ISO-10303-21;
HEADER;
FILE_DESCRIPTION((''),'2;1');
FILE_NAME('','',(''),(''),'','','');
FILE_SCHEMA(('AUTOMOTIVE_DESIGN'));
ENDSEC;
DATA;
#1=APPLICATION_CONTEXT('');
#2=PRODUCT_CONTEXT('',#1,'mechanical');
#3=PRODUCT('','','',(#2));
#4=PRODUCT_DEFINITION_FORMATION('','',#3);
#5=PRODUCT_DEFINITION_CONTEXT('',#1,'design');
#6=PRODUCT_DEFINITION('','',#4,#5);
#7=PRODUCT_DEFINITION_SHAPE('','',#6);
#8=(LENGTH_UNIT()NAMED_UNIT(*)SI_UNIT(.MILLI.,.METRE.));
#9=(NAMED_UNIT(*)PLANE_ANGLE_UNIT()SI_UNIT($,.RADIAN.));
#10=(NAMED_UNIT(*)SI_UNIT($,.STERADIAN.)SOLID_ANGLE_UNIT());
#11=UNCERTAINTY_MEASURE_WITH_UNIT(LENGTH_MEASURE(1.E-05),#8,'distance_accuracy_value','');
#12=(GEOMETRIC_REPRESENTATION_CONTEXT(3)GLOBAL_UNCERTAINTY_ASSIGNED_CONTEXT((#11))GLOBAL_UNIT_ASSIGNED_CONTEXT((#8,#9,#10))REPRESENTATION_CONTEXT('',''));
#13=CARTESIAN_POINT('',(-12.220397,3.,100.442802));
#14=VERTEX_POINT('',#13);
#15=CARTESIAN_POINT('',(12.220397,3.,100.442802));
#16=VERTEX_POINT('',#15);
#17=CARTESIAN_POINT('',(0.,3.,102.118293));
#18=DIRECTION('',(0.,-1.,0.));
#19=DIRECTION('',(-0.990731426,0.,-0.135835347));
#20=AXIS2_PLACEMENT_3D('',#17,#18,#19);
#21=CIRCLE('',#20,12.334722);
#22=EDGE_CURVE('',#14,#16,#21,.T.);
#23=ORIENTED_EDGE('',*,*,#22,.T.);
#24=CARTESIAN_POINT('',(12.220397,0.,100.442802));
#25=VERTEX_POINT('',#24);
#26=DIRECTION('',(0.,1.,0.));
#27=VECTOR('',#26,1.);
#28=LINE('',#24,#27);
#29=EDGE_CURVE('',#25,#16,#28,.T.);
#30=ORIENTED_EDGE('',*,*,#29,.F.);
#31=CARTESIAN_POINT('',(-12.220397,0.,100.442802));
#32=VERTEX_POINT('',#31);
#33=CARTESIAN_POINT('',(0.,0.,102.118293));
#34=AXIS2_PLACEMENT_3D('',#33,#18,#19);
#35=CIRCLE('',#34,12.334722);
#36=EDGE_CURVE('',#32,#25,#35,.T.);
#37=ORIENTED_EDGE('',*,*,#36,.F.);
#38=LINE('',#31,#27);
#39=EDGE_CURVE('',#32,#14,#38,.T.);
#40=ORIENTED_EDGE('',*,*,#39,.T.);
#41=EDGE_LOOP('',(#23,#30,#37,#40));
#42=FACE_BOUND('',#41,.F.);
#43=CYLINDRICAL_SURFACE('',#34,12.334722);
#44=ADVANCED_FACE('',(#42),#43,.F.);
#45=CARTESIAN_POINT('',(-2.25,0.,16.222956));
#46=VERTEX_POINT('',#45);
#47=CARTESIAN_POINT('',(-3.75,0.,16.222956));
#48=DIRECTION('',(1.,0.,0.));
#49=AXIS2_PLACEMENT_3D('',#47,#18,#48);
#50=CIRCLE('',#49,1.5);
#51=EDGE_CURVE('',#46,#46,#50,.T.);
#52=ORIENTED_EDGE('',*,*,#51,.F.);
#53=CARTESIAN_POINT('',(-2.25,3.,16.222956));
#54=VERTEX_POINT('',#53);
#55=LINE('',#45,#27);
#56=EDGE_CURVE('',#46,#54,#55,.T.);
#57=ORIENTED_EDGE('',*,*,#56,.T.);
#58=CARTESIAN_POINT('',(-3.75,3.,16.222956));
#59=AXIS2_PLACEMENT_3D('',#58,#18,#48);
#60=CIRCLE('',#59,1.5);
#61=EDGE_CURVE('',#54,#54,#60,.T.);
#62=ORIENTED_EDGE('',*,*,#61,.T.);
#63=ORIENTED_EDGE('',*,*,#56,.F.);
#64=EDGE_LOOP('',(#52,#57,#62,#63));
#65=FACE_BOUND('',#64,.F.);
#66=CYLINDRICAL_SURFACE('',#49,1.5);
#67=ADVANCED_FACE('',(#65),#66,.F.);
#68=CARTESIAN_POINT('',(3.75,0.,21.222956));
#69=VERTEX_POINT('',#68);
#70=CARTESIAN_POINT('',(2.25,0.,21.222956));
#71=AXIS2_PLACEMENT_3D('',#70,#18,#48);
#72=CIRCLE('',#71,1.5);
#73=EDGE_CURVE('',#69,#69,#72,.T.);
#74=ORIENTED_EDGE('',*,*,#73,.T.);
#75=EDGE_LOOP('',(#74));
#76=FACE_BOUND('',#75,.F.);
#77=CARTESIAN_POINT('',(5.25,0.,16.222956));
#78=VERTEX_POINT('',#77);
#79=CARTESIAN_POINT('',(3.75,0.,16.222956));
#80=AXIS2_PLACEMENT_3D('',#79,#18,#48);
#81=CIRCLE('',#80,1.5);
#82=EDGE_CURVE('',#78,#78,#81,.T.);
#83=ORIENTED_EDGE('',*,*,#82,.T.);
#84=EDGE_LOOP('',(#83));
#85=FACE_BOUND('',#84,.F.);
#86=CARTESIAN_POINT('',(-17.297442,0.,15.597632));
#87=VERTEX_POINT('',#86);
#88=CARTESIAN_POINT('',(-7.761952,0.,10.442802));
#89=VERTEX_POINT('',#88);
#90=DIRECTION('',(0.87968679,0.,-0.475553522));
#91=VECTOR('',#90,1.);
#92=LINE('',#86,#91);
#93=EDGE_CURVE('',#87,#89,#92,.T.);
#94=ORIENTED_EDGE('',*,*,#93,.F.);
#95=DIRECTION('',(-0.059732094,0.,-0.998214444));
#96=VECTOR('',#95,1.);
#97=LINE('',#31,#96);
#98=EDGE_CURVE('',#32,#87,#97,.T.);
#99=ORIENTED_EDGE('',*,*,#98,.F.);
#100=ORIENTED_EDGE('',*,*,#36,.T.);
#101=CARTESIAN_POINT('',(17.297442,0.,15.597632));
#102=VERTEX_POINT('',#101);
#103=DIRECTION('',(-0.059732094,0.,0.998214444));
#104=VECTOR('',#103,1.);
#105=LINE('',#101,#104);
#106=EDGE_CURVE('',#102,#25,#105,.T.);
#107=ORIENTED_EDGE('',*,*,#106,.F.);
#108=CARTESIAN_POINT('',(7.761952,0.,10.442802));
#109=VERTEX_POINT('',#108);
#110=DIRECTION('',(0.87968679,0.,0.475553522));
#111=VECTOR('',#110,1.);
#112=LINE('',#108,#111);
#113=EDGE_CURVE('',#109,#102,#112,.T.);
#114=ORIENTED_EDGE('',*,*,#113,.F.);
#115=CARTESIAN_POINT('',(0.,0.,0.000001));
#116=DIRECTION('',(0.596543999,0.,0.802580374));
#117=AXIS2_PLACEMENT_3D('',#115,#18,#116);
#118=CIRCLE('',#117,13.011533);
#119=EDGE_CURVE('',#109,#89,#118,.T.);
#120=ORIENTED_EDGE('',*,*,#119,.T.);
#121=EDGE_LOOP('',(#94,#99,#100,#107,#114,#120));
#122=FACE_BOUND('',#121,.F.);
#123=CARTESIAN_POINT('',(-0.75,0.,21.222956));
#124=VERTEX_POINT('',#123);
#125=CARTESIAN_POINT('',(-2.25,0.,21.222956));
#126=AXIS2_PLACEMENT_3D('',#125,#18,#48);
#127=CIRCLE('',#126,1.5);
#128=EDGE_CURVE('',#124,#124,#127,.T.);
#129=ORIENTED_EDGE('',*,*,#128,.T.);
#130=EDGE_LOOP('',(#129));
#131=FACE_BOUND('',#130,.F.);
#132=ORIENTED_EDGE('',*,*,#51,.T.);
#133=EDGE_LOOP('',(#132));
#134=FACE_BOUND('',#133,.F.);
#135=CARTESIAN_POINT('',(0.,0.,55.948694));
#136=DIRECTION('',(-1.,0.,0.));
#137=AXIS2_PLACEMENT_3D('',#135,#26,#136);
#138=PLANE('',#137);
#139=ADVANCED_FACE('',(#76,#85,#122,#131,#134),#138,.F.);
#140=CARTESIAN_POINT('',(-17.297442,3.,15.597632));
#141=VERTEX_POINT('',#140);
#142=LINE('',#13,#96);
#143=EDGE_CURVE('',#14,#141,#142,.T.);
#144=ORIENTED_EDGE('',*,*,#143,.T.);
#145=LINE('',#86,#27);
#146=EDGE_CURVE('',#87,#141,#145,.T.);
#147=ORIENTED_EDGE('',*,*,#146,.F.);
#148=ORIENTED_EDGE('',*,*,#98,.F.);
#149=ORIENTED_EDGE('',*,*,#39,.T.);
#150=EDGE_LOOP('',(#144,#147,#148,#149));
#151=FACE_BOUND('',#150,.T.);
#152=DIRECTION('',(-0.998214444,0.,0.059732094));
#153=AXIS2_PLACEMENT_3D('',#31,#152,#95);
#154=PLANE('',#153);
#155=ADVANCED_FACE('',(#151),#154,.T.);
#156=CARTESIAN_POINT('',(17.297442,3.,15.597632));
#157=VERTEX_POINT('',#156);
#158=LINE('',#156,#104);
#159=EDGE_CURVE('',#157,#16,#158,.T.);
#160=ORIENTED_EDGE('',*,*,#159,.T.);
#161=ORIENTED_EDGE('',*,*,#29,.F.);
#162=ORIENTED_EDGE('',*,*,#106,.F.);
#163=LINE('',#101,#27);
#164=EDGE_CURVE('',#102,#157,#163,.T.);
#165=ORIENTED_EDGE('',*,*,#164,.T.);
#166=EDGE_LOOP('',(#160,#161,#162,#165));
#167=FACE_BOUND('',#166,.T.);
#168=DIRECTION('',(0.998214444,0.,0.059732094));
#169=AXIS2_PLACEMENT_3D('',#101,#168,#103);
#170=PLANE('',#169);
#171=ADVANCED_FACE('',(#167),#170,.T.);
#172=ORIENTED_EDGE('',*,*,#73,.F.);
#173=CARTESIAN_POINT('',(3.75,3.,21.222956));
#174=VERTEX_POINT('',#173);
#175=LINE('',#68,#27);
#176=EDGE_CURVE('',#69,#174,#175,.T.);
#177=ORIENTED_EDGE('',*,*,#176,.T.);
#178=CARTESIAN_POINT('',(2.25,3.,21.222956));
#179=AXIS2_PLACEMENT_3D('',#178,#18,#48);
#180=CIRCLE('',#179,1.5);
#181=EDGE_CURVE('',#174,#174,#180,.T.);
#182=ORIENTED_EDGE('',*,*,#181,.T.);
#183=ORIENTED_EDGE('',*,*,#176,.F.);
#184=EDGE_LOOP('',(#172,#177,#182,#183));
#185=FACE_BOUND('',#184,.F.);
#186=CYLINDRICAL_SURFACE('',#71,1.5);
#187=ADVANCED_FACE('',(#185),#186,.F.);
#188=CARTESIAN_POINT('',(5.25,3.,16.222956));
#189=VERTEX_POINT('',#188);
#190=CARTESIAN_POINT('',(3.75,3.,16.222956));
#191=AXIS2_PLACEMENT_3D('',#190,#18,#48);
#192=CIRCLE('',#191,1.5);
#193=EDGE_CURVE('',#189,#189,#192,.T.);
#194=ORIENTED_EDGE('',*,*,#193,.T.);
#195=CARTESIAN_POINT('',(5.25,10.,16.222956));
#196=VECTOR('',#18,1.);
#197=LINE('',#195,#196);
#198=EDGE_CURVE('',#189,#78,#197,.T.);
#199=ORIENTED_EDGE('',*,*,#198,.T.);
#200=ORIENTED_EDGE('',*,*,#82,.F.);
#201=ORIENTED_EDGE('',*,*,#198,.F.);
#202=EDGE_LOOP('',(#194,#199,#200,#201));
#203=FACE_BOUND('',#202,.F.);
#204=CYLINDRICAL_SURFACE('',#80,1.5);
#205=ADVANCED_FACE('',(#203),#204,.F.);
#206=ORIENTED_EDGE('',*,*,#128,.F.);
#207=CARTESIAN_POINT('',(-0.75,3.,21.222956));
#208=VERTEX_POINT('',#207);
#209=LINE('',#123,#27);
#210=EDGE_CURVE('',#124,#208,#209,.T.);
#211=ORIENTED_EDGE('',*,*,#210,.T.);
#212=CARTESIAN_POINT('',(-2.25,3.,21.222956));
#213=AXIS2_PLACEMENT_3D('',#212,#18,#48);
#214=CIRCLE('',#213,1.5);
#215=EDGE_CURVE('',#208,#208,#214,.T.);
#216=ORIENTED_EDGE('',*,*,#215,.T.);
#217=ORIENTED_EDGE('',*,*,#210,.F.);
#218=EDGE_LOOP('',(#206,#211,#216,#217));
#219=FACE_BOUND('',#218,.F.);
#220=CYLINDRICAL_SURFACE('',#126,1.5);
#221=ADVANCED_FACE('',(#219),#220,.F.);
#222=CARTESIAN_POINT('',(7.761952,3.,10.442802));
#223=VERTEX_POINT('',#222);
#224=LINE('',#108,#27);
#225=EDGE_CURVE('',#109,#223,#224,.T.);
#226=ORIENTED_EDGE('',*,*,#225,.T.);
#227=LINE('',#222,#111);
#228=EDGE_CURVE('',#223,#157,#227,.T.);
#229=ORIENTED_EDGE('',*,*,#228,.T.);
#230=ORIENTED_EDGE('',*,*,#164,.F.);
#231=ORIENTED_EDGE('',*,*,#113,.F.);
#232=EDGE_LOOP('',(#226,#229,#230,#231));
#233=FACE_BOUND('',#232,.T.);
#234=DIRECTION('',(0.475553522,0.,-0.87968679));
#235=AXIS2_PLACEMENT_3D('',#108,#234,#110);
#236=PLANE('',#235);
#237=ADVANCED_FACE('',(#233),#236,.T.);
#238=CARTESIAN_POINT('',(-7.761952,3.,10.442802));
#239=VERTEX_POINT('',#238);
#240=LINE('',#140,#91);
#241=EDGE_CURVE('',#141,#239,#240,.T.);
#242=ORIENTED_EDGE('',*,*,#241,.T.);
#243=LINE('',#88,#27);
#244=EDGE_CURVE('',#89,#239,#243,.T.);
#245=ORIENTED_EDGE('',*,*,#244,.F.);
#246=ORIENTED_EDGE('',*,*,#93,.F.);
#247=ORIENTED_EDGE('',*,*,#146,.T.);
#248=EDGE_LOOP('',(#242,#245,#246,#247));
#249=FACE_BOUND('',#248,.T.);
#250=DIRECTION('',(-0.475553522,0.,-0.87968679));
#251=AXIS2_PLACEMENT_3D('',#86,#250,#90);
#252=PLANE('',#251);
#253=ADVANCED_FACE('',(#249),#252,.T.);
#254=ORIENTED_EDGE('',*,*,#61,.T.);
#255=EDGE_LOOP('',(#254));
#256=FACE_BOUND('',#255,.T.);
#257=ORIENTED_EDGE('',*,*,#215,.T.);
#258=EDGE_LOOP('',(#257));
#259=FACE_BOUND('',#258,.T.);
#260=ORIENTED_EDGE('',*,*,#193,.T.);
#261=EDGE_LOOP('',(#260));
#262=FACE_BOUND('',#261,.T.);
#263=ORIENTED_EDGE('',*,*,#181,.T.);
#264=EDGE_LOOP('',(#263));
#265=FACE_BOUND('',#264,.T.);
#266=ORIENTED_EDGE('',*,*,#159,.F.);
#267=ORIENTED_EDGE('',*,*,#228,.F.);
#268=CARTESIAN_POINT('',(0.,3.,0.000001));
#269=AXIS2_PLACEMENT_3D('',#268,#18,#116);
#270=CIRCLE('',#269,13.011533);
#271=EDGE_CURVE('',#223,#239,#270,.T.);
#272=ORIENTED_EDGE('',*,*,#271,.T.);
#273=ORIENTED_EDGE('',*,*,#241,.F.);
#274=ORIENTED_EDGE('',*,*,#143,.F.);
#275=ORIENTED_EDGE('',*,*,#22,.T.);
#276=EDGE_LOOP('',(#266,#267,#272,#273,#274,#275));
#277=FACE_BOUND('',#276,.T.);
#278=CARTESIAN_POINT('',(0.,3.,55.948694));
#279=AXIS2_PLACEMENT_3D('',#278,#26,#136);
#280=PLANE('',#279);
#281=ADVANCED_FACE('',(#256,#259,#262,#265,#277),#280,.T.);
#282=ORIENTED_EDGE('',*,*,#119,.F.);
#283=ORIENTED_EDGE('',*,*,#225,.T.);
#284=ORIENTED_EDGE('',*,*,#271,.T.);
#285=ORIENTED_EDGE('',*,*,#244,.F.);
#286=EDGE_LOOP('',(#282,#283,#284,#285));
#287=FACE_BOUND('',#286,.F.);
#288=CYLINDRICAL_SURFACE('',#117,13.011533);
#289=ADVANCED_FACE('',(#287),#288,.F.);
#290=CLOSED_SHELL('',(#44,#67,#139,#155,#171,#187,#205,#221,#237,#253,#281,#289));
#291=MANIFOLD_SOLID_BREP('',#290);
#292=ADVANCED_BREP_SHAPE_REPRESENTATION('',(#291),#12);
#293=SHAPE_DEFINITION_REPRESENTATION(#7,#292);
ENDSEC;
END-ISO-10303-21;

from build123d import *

# Parameters (mm, degrees)
SKETCH011_R  = 1.5
PAD004_DEPTH = 10
PAD002_DEPTH = 3


with BuildPart() as armmountcutout:
    # Sketch011 → Pad004 (new body, symmetric)
    with BuildSketch(Plane.XZ):
        with Locations((-2.25, 21.222956)):
            Circle(SKETCH011_R)
        with Locations((-3.75, 16.222956)):
            Circle(SKETCH011_R)
        with Locations((2.25, 21.222956)):
            Circle(SKETCH011_R)
        with Locations((3.75, 16.222956)):
            Circle(SKETCH011_R)
    extrude(amount=PAD004_DEPTH, both=True)


with BuildPart() as cut002:
    # Sketch009 → Pad002 (new body)
    with BuildSketch(Plane.XZ):
        with BuildLine():
            ThreePointArc((7.761952, 10.442802), (0, 13.011534), (-7.761952, 10.442802))
            Line((-17.297442, 15.597632), (-7.761952, 10.442802))
            Line((-12.220397, 100.442802), (-17.297442, 15.597632))
            ThreePointArc((-12.220397, 100.442802), (0, 89.783571), (12.220397, 100.442802))
            Line((17.297442, 15.597632), (12.220397, 100.442802))
            Line((7.761952, 10.442802), (17.297442, 15.597632))
        make_face()
    extrude(amount=-PAD002_DEPTH)

    # Cut002: cut ArmMountCutout
    add(armmountcutout.part, mode=Mode.SUBTRACT)


solid = cut002.part
